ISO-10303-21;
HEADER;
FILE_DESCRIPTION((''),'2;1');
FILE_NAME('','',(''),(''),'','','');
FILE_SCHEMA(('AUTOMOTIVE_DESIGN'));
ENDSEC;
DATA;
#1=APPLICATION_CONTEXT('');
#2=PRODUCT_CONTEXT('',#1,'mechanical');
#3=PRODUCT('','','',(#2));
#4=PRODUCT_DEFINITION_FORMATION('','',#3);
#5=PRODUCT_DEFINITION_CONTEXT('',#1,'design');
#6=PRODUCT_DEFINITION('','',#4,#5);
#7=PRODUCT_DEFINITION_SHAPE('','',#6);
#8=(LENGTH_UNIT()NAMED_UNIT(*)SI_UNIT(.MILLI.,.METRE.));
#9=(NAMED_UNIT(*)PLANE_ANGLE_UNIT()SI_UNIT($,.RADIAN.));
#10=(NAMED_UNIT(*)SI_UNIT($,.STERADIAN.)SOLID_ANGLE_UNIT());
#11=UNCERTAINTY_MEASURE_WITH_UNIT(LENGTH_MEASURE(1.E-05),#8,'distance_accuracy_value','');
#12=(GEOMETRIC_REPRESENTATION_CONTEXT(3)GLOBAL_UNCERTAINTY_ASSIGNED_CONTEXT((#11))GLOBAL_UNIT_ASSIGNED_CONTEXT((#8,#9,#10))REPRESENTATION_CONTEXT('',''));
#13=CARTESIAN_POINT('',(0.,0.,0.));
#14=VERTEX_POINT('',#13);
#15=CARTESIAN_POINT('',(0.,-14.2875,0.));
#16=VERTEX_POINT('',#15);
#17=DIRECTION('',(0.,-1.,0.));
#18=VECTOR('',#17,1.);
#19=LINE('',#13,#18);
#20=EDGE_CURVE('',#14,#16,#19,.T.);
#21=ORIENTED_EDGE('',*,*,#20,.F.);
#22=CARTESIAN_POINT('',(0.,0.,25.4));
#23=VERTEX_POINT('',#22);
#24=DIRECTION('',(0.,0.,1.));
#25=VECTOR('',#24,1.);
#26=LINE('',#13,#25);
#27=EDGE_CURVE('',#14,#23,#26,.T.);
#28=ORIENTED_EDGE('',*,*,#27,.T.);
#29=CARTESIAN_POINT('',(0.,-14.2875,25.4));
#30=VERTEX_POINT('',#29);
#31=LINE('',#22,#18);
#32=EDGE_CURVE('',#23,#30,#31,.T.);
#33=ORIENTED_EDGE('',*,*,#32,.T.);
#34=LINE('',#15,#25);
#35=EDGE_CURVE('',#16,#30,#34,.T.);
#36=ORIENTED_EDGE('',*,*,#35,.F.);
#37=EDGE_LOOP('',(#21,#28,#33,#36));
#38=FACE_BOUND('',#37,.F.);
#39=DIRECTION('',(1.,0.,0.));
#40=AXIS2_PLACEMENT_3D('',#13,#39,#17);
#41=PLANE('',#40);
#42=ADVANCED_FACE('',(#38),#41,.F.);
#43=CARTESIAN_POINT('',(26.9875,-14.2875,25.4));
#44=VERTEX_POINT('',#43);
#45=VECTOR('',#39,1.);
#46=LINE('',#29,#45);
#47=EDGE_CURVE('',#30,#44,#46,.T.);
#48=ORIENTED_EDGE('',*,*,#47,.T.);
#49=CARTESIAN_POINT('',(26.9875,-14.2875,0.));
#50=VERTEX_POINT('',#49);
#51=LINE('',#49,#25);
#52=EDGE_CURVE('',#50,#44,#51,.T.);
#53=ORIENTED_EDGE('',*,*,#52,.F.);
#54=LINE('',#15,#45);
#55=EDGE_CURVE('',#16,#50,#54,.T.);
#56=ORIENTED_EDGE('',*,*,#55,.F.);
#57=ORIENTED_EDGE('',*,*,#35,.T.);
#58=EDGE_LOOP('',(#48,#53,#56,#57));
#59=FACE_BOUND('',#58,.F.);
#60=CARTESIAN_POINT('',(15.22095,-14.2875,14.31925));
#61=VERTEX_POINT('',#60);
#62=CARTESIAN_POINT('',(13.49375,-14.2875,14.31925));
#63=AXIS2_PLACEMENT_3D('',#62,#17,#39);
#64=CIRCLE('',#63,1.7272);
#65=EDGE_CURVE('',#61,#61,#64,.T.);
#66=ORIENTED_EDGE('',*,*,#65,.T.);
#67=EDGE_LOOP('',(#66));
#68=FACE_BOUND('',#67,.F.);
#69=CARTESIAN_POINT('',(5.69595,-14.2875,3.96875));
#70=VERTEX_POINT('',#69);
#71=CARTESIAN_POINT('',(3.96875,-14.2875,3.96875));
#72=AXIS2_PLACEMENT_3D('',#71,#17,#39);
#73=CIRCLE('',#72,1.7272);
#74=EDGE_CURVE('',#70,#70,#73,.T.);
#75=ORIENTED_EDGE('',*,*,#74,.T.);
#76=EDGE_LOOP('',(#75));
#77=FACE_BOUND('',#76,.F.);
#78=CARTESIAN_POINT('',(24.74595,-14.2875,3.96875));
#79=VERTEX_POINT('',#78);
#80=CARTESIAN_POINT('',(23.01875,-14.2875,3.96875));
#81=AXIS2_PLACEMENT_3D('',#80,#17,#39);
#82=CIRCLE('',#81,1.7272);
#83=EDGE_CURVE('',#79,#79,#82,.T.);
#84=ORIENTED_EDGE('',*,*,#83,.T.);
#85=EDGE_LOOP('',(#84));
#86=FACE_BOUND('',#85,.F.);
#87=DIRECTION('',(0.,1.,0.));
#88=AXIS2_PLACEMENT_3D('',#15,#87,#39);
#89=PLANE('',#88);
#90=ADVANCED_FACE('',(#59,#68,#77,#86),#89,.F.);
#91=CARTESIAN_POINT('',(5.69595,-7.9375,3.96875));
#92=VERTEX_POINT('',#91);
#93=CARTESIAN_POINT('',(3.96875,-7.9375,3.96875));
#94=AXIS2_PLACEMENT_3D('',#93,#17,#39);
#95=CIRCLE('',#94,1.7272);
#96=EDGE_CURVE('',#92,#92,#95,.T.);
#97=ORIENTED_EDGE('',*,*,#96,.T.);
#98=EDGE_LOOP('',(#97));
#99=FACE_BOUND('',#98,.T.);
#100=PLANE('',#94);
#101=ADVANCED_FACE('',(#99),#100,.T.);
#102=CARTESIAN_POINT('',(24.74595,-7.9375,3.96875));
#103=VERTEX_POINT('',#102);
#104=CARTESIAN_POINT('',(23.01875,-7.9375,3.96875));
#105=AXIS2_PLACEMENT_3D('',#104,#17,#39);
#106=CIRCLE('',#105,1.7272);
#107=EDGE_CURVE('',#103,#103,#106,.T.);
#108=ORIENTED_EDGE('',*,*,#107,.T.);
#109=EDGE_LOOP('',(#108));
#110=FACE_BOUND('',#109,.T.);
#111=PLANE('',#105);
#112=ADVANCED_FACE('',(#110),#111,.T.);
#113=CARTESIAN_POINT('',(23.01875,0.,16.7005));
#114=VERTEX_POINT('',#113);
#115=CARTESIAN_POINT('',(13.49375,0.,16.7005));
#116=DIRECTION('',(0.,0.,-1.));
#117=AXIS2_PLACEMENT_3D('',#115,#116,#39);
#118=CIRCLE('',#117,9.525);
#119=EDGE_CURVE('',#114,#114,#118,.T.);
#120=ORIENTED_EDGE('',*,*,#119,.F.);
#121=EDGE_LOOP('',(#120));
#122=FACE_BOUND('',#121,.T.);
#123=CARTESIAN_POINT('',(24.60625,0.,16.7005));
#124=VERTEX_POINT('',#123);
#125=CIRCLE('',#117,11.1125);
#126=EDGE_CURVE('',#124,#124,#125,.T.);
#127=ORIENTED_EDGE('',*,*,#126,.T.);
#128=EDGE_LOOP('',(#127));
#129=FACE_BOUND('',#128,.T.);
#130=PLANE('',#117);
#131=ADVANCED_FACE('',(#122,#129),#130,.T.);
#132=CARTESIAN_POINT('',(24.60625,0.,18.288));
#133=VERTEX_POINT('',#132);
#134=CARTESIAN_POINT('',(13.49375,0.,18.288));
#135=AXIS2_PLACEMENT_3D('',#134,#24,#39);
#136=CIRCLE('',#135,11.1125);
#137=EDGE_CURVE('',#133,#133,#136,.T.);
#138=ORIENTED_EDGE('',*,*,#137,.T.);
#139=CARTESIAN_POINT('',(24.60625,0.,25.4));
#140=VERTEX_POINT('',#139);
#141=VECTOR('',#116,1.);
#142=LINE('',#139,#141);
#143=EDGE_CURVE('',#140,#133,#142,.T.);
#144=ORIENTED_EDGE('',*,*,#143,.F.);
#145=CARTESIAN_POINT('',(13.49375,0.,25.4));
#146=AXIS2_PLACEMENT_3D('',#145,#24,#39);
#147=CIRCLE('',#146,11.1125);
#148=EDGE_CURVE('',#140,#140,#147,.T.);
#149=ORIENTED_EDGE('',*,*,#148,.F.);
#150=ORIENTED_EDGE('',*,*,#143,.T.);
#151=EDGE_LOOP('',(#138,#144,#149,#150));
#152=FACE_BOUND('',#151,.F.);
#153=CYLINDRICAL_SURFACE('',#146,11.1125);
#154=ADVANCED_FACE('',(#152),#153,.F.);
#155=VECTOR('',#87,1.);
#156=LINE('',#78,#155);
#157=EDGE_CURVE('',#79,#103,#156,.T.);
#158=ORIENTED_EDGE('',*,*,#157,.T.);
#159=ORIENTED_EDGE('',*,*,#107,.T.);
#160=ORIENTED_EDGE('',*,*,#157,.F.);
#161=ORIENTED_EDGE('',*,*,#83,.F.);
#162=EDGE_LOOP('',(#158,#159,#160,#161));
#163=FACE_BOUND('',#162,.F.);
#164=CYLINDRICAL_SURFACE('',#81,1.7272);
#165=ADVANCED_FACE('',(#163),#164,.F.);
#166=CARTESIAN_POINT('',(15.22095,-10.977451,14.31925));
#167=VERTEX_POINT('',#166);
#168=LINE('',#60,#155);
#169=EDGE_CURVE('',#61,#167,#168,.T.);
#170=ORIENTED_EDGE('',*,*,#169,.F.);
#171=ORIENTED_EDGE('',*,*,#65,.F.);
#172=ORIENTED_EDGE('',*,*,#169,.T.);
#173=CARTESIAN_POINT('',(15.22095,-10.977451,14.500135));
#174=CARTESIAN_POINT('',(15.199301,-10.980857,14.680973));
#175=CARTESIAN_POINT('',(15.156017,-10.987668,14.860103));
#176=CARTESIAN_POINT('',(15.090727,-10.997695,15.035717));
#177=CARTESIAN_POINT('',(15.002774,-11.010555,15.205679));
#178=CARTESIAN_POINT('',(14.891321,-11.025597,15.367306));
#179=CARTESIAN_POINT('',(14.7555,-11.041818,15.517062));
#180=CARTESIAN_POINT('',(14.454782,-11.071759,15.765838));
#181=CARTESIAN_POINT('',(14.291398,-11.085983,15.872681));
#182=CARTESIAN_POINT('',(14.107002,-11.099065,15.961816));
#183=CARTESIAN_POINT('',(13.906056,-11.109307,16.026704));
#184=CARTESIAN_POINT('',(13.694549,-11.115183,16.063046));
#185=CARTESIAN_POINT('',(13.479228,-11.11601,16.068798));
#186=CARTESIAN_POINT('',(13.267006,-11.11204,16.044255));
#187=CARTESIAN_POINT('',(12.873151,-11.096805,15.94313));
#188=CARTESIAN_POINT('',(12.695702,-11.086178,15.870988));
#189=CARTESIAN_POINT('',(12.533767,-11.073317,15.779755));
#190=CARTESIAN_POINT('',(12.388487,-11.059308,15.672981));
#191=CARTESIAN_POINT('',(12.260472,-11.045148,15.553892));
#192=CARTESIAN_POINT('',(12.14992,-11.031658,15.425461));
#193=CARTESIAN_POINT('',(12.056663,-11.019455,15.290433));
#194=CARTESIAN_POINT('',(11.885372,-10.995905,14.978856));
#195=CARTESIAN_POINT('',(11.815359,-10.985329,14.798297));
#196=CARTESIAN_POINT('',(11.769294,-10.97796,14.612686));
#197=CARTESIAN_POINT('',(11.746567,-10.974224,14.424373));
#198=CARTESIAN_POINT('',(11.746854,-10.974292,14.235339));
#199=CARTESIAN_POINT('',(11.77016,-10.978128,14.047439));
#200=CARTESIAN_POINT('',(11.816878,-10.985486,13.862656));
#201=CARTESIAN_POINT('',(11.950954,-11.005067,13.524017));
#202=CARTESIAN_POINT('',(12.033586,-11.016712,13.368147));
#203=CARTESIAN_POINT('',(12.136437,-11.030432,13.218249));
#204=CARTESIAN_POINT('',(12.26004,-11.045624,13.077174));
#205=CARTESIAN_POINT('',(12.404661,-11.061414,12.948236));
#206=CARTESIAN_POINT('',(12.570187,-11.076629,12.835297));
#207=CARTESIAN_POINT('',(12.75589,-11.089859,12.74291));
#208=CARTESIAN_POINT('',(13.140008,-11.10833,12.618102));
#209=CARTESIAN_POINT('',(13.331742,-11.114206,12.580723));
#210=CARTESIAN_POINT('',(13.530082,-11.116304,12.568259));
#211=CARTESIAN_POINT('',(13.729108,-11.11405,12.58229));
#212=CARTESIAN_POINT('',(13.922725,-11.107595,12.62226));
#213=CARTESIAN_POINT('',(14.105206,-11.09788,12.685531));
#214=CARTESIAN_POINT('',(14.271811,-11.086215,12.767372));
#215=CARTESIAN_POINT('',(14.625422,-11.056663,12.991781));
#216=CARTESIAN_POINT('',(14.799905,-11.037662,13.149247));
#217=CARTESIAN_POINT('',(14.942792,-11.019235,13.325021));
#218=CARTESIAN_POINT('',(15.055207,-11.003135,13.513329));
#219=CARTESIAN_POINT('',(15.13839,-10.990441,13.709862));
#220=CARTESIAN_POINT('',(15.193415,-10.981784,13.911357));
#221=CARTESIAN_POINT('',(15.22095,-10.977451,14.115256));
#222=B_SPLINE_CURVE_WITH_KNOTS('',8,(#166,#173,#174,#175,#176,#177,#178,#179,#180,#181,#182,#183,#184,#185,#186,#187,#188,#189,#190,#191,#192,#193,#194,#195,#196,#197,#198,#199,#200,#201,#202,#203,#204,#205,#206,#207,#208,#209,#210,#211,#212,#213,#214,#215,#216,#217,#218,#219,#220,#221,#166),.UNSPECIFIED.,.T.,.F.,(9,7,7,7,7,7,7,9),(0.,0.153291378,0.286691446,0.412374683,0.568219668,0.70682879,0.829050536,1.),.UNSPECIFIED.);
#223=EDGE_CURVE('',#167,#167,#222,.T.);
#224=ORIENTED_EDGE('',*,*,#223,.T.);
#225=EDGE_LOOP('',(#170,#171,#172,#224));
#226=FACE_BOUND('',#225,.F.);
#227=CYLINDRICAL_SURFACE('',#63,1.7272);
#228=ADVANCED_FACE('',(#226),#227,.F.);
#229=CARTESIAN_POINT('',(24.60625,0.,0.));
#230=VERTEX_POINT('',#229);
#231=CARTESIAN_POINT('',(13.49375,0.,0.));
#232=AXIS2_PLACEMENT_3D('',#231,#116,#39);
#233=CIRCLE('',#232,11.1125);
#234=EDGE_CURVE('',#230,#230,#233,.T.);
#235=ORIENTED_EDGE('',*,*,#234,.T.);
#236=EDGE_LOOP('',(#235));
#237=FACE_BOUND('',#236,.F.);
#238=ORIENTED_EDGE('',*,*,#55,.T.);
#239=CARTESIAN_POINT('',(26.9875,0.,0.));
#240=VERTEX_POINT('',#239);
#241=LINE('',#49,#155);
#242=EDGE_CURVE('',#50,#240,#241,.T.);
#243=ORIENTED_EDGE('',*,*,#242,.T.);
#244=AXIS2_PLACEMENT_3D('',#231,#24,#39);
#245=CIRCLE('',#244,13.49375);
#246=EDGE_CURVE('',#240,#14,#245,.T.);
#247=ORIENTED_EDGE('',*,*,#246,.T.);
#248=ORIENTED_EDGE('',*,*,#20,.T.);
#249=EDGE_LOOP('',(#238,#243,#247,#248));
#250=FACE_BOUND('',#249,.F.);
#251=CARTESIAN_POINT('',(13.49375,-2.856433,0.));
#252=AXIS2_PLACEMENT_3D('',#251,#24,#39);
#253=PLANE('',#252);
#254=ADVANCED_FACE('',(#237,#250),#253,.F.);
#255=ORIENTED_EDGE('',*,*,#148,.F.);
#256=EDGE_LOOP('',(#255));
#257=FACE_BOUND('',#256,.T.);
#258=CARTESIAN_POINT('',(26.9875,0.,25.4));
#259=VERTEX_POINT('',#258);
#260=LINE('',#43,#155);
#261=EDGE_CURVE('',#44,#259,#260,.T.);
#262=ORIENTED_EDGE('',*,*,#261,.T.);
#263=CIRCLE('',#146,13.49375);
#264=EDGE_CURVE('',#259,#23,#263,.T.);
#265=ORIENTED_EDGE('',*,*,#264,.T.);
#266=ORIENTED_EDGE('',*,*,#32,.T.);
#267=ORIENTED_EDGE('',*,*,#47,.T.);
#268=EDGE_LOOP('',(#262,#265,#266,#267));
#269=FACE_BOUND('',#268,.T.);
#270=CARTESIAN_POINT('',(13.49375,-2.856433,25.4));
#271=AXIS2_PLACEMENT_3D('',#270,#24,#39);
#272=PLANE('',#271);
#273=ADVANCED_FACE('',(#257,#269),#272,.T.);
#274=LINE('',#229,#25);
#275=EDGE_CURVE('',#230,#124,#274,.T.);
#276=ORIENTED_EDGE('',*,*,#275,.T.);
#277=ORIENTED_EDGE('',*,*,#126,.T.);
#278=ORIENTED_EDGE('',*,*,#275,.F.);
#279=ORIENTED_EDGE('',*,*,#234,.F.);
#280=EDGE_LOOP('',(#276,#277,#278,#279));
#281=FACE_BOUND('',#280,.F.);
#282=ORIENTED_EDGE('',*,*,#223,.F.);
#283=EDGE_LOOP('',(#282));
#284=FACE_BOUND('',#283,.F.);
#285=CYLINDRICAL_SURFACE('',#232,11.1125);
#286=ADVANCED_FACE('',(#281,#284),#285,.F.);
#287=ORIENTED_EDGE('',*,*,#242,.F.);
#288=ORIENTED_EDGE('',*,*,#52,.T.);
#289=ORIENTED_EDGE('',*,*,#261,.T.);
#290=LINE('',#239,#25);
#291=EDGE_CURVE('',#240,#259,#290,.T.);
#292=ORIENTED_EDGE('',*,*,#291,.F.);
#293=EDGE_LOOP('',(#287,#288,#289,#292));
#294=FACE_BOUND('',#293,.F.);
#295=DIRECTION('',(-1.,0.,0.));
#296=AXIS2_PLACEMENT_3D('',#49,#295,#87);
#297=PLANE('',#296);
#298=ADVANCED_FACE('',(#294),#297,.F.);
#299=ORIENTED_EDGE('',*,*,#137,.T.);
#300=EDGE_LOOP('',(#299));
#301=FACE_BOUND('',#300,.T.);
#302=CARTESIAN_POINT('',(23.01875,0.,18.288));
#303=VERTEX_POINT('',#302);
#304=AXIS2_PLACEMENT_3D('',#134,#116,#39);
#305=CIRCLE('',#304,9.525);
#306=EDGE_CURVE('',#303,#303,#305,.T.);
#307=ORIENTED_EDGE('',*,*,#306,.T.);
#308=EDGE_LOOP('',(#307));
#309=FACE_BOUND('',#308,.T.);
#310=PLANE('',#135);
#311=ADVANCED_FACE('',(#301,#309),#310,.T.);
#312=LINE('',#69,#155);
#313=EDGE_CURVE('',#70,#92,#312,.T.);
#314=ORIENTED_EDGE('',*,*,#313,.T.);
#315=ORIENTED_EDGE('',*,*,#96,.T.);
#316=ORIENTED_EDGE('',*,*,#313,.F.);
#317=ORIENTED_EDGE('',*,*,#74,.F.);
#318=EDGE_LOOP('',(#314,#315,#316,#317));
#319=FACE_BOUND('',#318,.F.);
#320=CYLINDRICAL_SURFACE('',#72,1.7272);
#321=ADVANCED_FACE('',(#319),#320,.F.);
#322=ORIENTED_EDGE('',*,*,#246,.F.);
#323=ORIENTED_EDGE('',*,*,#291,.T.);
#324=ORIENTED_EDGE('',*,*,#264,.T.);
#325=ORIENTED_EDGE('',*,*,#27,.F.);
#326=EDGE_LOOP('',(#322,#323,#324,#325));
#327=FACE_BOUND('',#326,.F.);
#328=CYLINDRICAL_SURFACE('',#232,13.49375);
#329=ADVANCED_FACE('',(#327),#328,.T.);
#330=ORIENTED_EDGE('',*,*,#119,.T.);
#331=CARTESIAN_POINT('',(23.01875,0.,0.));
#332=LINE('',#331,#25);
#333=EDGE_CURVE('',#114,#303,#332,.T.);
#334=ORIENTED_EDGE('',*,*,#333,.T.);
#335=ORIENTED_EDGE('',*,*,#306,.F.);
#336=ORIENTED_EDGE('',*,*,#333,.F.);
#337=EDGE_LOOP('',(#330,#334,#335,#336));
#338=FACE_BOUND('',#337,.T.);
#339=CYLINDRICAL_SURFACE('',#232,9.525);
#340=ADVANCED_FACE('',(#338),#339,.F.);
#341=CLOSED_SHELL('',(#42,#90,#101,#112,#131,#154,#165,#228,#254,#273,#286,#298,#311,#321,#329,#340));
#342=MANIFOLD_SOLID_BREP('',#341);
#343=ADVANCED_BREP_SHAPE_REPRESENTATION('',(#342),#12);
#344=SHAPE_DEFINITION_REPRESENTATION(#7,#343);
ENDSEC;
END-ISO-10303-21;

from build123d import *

# Parameters (mm, degrees)
F0_R     = 9.525
F1_DEPTH = 25.4
F2_R     = 11.1125
F3_DEPTH = 7.112
F5_R     = 11.1125
F6_DEPTH = 16.7005
F7_R     = 1.7272
F8_DEPTH = 6.35


with BuildPart() as f1:
    # F0 (on Top) → F1 (new body)
    with BuildSketch(Plane.XY):
        with BuildLine():
            Line((0, 0), (0, -14.2875))
            Line((0, -14.2875), (26.9875, -14.2875))
            Line((26.9875, -14.2875), (26.9875, 0))
            ThreePointArc((26.9875, 0), (13.49375, 13.49375), (0, 0))
        make_face()
        with Locations((13.49375, 0)):
            Circle(F0_R, mode=Mode.SUBTRACT)
    extrude(amount=F1_DEPTH)

    # F2 (on face) → F3 (cut)
    with BuildSketch(Plane.XY.offset(25.4)):
        with Locations((13.49375, 0)):
            Circle(F2_R)
    extrude(amount=-F3_DEPTH, mode=Mode.SUBTRACT)

    # F5 (on face) → F6 (cut, through all)
    with BuildSketch(Plane(origin=(0, 0, 0), x_dir=(1, 0, 0), z_dir=(0, 0, -1))):
        with Locations((13.49375, 0)):
            Circle(F5_R)
    extrude(amount=-F6_DEPTH, mode=Mode.SUBTRACT)

    # F7 (on face) → F8 (cut)
    with BuildSketch(Plane.XZ.offset(14.2875)):
        with Locations((23.01875, 3.96875)):
            Circle(F7_R)
        with Locations((3.96875, 3.96875)):
            Circle(F7_R)
        with Locations((13.49375, 14.31925)):
            Circle(F7_R)
    extrude(amount=-F8_DEPTH, mode=Mode.SUBTRACT)


solid = f1.part
